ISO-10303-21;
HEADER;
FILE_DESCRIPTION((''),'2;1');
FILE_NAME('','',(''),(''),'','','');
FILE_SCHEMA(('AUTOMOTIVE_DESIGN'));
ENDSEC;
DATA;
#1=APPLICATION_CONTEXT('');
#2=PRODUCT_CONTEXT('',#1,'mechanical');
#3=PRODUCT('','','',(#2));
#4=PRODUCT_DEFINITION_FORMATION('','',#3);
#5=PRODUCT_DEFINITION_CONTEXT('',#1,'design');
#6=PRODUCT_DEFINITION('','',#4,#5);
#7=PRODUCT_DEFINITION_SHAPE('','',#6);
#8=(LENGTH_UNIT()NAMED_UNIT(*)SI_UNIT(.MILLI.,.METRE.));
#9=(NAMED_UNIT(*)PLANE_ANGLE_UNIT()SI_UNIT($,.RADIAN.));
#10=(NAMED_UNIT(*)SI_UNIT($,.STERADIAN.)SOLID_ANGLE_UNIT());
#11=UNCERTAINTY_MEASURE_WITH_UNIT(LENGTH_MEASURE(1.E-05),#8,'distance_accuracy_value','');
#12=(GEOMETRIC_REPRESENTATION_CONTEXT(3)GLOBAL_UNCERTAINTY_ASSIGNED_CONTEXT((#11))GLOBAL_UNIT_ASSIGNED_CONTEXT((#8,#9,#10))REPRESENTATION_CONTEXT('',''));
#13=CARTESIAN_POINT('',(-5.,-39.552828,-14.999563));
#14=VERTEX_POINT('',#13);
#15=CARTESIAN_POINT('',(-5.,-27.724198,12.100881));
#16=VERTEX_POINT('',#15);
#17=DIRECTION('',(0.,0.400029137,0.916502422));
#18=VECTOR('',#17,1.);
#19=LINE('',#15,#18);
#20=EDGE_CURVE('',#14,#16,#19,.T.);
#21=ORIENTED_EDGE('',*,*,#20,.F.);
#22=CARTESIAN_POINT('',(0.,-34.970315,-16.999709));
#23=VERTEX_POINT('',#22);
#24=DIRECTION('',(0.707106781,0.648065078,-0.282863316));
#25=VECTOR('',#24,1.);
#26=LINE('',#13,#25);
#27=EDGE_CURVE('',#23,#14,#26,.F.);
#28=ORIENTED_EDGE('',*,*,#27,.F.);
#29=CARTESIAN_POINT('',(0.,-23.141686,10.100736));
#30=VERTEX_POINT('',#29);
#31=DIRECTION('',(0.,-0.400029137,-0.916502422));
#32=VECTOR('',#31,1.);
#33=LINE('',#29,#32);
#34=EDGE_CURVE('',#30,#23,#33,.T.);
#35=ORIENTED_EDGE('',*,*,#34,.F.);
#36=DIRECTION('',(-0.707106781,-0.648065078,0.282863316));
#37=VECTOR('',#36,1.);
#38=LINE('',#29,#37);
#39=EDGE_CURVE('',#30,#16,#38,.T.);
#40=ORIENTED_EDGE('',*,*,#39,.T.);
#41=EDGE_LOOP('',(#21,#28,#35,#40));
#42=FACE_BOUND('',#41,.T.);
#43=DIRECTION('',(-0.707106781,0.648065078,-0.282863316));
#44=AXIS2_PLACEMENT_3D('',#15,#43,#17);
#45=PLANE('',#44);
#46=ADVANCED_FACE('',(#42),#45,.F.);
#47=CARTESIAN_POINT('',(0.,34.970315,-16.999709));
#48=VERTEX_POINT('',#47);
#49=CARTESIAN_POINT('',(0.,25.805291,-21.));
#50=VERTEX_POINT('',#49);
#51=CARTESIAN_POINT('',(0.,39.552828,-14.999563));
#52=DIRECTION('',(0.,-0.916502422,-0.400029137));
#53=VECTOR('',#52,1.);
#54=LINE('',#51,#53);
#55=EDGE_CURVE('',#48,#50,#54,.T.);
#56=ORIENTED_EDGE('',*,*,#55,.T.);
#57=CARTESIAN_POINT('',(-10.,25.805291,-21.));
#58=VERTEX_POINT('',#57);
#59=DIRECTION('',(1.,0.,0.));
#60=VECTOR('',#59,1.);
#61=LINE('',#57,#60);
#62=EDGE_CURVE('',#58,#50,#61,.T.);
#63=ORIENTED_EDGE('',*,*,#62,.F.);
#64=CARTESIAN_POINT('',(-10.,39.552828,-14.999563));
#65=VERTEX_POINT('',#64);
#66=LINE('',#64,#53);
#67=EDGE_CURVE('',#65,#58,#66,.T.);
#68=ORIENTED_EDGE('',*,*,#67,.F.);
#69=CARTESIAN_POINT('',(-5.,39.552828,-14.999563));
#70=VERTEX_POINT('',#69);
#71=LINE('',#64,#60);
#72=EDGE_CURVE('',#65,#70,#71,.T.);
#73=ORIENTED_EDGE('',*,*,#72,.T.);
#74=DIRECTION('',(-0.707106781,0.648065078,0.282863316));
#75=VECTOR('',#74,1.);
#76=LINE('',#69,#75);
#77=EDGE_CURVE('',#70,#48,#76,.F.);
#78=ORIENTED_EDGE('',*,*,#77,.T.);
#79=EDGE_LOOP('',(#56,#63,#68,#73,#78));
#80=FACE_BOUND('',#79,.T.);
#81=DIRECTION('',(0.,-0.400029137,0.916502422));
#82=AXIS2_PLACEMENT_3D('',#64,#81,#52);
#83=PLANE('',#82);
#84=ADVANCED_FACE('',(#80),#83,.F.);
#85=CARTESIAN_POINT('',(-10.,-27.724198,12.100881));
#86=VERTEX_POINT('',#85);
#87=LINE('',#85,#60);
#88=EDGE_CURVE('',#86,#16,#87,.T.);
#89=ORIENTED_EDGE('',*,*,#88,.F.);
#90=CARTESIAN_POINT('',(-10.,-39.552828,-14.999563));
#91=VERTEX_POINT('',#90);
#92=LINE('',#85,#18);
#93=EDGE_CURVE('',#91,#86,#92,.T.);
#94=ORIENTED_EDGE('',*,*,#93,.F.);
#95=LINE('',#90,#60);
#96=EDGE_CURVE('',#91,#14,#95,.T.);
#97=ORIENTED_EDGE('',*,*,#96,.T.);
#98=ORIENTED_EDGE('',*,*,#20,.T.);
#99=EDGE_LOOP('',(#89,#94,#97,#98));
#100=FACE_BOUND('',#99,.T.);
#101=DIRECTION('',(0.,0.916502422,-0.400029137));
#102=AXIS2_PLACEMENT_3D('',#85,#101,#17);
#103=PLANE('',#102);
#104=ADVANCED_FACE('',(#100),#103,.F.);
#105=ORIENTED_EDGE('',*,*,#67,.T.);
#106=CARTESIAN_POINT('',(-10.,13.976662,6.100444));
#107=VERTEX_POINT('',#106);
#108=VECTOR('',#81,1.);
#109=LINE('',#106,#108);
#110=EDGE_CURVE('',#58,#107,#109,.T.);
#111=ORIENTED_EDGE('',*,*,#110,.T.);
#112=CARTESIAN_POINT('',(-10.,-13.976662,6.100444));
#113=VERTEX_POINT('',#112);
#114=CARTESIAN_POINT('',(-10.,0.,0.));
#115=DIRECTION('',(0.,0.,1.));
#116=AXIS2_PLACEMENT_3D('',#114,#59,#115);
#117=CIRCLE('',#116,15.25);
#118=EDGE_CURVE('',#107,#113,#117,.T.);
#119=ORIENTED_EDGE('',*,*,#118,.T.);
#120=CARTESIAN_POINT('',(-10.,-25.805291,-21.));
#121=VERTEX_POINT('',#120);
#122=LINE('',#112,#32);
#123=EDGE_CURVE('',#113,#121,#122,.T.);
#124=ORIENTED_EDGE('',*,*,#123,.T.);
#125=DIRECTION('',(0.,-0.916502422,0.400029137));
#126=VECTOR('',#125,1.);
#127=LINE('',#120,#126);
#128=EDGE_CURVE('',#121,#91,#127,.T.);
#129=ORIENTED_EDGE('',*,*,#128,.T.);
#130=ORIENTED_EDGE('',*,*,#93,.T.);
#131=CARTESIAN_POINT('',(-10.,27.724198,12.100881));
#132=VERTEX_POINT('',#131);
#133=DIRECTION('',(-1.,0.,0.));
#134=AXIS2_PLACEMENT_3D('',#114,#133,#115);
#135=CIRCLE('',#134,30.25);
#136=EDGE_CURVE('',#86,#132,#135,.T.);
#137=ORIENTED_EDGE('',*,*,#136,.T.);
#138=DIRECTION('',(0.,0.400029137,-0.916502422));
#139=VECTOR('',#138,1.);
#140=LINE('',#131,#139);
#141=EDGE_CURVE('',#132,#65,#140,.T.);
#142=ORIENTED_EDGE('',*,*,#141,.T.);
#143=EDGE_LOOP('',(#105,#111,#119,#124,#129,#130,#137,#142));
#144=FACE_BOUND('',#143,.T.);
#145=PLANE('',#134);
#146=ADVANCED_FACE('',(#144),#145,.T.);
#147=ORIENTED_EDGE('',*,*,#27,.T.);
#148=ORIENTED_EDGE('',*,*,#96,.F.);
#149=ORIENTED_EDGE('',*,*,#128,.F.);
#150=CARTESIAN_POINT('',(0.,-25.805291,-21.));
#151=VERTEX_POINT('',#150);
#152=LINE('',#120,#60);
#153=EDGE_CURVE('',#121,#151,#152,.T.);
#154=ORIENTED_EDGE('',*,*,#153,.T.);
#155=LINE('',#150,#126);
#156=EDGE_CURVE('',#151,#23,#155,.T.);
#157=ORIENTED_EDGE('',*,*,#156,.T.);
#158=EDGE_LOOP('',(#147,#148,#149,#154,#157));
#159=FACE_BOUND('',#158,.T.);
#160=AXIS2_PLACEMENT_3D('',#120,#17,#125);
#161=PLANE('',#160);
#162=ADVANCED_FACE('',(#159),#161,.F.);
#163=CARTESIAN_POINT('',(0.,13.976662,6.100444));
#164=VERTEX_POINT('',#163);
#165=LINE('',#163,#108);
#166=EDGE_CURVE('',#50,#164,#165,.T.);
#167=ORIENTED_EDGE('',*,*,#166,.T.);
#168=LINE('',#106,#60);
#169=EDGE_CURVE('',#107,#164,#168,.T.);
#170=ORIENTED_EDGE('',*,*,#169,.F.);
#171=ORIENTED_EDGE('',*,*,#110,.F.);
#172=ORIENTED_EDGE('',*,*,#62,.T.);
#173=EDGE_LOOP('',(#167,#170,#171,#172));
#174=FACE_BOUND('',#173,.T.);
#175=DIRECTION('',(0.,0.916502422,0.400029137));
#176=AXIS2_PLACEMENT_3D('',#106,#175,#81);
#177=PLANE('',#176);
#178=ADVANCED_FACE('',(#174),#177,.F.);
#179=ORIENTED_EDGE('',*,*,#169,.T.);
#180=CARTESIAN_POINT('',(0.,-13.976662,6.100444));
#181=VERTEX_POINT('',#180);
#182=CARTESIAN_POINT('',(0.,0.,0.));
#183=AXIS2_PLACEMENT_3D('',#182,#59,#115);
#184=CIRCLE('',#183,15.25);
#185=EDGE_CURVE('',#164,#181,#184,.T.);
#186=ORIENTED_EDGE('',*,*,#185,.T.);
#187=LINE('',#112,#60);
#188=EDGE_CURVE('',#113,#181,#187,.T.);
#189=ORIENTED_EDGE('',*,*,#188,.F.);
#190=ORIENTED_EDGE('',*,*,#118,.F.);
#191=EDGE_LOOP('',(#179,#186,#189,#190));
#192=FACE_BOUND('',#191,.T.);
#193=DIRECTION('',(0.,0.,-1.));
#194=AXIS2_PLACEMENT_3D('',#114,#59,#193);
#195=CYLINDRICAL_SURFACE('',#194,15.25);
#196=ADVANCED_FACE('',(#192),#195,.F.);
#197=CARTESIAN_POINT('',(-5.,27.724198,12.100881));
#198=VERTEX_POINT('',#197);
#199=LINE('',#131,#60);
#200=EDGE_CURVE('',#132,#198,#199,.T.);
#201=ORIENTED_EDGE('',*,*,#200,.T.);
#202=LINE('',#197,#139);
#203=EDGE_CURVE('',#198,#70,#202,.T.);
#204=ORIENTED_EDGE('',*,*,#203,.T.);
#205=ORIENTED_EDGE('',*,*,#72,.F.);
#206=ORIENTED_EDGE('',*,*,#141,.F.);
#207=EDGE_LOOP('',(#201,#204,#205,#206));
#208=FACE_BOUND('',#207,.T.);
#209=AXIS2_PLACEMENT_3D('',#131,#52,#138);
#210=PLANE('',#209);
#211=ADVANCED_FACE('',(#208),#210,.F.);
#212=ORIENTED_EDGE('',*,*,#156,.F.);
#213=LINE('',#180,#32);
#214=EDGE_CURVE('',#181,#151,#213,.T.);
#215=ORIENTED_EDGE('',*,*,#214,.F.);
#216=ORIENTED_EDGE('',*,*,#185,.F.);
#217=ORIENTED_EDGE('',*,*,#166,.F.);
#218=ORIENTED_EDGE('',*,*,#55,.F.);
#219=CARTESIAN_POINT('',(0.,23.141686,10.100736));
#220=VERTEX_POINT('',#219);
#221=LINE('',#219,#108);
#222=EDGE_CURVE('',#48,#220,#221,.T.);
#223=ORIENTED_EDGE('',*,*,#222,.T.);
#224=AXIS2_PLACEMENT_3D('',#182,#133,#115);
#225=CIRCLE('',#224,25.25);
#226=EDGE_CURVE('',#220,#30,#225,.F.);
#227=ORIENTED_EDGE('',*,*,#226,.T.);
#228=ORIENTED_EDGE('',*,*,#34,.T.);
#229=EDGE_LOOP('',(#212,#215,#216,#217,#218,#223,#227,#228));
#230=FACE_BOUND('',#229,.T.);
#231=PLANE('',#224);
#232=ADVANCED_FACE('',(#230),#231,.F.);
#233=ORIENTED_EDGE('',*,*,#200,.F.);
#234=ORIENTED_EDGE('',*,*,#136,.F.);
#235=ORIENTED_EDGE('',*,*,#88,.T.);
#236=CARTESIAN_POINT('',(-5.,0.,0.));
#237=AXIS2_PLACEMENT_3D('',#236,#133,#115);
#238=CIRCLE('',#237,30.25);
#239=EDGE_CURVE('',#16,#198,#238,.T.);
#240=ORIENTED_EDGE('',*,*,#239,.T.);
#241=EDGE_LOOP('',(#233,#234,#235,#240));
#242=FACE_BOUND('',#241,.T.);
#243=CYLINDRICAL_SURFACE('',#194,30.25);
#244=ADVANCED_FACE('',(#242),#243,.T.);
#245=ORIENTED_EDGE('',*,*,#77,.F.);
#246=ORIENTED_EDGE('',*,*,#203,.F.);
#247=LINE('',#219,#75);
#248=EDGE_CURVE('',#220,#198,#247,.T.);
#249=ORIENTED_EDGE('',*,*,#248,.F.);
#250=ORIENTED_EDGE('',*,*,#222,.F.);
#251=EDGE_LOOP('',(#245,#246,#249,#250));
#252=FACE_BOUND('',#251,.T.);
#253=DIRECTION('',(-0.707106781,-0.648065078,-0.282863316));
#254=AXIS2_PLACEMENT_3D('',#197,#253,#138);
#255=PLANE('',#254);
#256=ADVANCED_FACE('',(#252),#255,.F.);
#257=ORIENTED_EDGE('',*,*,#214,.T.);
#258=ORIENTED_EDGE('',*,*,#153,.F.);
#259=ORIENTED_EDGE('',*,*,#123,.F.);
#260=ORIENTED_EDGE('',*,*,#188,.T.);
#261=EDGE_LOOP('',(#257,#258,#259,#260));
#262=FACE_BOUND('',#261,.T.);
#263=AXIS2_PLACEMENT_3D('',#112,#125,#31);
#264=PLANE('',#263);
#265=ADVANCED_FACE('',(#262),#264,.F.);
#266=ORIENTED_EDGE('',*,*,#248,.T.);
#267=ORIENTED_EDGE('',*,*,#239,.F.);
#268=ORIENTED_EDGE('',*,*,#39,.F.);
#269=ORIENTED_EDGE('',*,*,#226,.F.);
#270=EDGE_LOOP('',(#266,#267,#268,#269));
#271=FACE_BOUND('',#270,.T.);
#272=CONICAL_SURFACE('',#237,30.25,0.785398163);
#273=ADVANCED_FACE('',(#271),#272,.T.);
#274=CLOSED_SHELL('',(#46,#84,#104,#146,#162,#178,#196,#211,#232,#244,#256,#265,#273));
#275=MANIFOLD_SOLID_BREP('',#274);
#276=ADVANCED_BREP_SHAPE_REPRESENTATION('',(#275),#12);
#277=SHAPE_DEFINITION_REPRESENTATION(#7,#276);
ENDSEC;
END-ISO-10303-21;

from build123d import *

# Parameters (mm, degrees)
EXTRUDE_1_DEPTH = 10
CHAMFER_1_SIZE  = 5


with BuildPart() as part:
    # 草图1 → 凸台-拉伸1 (new body)
    with BuildSketch(Plane.ZY):
        with BuildLine():
            Line((6.100444343, 13.976661934), (-21, 25.805291199))
            Line((-21, 25.805291199), (-14.999562941, 39.552827528))
            Line((-14.999562941, 39.552827528), (12.100881401, 27.724198263))
            ThreePointArc((12.100881401, 27.724198263), (30.25, 0), (12.100881401, -27.724198263))
            Line((12.100881401, -27.724198263), (-14.999562941, -39.552827528))
            Line((-14.999562941, -39.552827528), (-21, -25.805291199))
            Line((-21, -25.805291199), (6.100444343, -13.976661934))
            ThreePointArc((6.100444343, -13.976661934), (15.25, 0), (6.100444343, 13.976661934))
        make_face()
    extrude(amount=EXTRUDE_1_DEPTH)

    # 倒角1
    chamfer_1_edges = [part.edges().sort_by_distance(p)[0] for p in [
        (0, -33.638512895, -1.44934077),
        (0, 33.638512895, -1.44934077),
        (0, 0, 30.25),
    ]]
    chamfer(chamfer_1_edges, length=CHAMFER_1_SIZE)


solid = part.part
